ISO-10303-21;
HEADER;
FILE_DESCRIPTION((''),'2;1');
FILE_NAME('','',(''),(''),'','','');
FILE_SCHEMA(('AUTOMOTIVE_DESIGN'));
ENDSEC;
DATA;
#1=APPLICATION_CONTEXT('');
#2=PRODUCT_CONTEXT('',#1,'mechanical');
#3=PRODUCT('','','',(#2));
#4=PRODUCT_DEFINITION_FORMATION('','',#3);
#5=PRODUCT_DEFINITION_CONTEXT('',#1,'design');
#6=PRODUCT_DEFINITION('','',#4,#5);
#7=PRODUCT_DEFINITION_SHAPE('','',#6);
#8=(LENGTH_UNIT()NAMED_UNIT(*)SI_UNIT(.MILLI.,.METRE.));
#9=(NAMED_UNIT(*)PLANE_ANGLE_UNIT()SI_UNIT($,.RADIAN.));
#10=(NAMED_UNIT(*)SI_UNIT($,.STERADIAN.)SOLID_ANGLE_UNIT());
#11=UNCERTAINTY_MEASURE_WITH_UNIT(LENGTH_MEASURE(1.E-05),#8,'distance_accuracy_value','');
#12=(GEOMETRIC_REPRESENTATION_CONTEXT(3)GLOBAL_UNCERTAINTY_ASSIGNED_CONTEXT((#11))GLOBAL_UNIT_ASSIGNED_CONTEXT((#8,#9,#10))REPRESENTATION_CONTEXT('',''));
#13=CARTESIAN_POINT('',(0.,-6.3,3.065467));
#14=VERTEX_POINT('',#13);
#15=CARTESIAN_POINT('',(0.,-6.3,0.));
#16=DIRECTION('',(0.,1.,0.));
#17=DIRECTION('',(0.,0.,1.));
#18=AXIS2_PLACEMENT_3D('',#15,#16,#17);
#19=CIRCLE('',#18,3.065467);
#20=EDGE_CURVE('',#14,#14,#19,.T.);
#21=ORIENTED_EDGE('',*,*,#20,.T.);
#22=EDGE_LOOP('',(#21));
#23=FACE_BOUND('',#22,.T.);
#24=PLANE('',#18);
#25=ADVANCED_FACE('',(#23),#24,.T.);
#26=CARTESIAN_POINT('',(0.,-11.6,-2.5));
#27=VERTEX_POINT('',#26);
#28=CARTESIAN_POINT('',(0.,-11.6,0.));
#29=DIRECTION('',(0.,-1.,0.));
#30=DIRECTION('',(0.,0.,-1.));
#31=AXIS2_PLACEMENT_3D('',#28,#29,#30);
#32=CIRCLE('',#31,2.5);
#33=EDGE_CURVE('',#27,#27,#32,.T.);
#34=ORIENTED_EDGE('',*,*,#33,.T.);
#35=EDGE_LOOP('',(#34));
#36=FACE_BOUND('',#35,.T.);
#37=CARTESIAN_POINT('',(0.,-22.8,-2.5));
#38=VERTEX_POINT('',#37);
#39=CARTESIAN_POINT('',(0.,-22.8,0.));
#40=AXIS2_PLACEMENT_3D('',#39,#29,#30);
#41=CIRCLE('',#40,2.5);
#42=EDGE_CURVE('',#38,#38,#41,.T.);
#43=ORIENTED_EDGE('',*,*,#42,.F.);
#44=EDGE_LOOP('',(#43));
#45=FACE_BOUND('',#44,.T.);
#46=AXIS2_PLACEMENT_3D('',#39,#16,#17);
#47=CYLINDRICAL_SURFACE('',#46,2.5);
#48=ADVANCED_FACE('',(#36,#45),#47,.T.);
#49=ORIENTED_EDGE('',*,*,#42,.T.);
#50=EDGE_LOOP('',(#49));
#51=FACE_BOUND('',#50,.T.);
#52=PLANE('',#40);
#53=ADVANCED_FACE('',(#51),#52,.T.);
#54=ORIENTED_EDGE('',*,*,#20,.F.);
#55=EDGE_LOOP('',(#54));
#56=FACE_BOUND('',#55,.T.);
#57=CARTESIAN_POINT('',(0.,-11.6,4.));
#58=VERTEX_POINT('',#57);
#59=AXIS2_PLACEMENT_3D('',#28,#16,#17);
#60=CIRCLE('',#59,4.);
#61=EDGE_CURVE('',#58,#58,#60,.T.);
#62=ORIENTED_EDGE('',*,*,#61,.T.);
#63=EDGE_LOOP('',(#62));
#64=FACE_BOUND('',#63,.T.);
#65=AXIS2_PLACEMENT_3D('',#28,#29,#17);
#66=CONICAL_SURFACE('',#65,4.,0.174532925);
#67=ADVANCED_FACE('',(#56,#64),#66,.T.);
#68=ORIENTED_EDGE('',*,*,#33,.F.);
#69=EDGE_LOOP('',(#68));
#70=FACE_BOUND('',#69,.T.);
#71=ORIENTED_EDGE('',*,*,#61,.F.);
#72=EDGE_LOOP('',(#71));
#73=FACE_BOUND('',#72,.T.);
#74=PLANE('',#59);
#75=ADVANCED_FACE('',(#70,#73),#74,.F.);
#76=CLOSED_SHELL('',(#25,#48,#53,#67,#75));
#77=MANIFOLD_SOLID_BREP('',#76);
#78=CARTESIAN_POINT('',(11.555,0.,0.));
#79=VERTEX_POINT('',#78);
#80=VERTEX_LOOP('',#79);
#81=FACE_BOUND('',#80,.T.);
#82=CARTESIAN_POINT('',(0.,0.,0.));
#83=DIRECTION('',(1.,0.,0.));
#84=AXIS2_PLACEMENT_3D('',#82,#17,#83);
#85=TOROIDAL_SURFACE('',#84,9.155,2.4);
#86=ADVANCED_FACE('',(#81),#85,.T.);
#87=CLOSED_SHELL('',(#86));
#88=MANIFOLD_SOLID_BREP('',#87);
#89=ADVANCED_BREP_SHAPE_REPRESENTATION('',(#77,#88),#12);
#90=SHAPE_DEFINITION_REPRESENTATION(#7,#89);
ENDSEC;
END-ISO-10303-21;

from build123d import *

# Parameters (mm, degrees)
ESQUISSE2_R        = 2.4
BOSS_EXTRU_1_START = -11.6
ESQUISSE3_R        = 4
BOSS_EXTRU_1_DEPTH = 5.3
BOSS_EXTRU_1_TAPER = 10
ESQUISSE4_R        = 2.5
BOSS_EXTRU_2_DEPTH = 11.2


with BuildPart() as part:
    # Esquisse2 → Révolution1 (revolve)
    with BuildSketch(Plane(origin=(0, 0, 0), x_dir=(1, 0, 0), z_dir=(0, 1, 0))):
        with Locations((9.155, 0)):
            Circle(ESQUISSE2_R)
    revolve(axis=Axis((0, 0, 0), (0, 0, -1)))


with BuildPart() as body_2:
    # Esquisse3 → Boss.-Extru.1 (new body)
    with BuildSketch(Plane(origin=(0, 0, 0), x_dir=(1, 0, 0), z_dir=(0, 1, 0)).offset(BOSS_EXTRU_1_START)):
        Circle(ESQUISSE3_R)
    extrude(amount=BOSS_EXTRU_1_DEPTH, taper=BOSS_EXTRU_1_TAPER)

    # Esquisse4 → Boss.-Extru.2 (add)
    with BuildSketch(Plane.XZ.offset(11.6)):
        with Locations(Location((0, 0, 0), (0, 0, 270))):
            Circle(ESQUISSE4_R)
    extrude(amount=BOSS_EXTRU_2_DEPTH)


solid = Compound([part.part, body_2.part])
